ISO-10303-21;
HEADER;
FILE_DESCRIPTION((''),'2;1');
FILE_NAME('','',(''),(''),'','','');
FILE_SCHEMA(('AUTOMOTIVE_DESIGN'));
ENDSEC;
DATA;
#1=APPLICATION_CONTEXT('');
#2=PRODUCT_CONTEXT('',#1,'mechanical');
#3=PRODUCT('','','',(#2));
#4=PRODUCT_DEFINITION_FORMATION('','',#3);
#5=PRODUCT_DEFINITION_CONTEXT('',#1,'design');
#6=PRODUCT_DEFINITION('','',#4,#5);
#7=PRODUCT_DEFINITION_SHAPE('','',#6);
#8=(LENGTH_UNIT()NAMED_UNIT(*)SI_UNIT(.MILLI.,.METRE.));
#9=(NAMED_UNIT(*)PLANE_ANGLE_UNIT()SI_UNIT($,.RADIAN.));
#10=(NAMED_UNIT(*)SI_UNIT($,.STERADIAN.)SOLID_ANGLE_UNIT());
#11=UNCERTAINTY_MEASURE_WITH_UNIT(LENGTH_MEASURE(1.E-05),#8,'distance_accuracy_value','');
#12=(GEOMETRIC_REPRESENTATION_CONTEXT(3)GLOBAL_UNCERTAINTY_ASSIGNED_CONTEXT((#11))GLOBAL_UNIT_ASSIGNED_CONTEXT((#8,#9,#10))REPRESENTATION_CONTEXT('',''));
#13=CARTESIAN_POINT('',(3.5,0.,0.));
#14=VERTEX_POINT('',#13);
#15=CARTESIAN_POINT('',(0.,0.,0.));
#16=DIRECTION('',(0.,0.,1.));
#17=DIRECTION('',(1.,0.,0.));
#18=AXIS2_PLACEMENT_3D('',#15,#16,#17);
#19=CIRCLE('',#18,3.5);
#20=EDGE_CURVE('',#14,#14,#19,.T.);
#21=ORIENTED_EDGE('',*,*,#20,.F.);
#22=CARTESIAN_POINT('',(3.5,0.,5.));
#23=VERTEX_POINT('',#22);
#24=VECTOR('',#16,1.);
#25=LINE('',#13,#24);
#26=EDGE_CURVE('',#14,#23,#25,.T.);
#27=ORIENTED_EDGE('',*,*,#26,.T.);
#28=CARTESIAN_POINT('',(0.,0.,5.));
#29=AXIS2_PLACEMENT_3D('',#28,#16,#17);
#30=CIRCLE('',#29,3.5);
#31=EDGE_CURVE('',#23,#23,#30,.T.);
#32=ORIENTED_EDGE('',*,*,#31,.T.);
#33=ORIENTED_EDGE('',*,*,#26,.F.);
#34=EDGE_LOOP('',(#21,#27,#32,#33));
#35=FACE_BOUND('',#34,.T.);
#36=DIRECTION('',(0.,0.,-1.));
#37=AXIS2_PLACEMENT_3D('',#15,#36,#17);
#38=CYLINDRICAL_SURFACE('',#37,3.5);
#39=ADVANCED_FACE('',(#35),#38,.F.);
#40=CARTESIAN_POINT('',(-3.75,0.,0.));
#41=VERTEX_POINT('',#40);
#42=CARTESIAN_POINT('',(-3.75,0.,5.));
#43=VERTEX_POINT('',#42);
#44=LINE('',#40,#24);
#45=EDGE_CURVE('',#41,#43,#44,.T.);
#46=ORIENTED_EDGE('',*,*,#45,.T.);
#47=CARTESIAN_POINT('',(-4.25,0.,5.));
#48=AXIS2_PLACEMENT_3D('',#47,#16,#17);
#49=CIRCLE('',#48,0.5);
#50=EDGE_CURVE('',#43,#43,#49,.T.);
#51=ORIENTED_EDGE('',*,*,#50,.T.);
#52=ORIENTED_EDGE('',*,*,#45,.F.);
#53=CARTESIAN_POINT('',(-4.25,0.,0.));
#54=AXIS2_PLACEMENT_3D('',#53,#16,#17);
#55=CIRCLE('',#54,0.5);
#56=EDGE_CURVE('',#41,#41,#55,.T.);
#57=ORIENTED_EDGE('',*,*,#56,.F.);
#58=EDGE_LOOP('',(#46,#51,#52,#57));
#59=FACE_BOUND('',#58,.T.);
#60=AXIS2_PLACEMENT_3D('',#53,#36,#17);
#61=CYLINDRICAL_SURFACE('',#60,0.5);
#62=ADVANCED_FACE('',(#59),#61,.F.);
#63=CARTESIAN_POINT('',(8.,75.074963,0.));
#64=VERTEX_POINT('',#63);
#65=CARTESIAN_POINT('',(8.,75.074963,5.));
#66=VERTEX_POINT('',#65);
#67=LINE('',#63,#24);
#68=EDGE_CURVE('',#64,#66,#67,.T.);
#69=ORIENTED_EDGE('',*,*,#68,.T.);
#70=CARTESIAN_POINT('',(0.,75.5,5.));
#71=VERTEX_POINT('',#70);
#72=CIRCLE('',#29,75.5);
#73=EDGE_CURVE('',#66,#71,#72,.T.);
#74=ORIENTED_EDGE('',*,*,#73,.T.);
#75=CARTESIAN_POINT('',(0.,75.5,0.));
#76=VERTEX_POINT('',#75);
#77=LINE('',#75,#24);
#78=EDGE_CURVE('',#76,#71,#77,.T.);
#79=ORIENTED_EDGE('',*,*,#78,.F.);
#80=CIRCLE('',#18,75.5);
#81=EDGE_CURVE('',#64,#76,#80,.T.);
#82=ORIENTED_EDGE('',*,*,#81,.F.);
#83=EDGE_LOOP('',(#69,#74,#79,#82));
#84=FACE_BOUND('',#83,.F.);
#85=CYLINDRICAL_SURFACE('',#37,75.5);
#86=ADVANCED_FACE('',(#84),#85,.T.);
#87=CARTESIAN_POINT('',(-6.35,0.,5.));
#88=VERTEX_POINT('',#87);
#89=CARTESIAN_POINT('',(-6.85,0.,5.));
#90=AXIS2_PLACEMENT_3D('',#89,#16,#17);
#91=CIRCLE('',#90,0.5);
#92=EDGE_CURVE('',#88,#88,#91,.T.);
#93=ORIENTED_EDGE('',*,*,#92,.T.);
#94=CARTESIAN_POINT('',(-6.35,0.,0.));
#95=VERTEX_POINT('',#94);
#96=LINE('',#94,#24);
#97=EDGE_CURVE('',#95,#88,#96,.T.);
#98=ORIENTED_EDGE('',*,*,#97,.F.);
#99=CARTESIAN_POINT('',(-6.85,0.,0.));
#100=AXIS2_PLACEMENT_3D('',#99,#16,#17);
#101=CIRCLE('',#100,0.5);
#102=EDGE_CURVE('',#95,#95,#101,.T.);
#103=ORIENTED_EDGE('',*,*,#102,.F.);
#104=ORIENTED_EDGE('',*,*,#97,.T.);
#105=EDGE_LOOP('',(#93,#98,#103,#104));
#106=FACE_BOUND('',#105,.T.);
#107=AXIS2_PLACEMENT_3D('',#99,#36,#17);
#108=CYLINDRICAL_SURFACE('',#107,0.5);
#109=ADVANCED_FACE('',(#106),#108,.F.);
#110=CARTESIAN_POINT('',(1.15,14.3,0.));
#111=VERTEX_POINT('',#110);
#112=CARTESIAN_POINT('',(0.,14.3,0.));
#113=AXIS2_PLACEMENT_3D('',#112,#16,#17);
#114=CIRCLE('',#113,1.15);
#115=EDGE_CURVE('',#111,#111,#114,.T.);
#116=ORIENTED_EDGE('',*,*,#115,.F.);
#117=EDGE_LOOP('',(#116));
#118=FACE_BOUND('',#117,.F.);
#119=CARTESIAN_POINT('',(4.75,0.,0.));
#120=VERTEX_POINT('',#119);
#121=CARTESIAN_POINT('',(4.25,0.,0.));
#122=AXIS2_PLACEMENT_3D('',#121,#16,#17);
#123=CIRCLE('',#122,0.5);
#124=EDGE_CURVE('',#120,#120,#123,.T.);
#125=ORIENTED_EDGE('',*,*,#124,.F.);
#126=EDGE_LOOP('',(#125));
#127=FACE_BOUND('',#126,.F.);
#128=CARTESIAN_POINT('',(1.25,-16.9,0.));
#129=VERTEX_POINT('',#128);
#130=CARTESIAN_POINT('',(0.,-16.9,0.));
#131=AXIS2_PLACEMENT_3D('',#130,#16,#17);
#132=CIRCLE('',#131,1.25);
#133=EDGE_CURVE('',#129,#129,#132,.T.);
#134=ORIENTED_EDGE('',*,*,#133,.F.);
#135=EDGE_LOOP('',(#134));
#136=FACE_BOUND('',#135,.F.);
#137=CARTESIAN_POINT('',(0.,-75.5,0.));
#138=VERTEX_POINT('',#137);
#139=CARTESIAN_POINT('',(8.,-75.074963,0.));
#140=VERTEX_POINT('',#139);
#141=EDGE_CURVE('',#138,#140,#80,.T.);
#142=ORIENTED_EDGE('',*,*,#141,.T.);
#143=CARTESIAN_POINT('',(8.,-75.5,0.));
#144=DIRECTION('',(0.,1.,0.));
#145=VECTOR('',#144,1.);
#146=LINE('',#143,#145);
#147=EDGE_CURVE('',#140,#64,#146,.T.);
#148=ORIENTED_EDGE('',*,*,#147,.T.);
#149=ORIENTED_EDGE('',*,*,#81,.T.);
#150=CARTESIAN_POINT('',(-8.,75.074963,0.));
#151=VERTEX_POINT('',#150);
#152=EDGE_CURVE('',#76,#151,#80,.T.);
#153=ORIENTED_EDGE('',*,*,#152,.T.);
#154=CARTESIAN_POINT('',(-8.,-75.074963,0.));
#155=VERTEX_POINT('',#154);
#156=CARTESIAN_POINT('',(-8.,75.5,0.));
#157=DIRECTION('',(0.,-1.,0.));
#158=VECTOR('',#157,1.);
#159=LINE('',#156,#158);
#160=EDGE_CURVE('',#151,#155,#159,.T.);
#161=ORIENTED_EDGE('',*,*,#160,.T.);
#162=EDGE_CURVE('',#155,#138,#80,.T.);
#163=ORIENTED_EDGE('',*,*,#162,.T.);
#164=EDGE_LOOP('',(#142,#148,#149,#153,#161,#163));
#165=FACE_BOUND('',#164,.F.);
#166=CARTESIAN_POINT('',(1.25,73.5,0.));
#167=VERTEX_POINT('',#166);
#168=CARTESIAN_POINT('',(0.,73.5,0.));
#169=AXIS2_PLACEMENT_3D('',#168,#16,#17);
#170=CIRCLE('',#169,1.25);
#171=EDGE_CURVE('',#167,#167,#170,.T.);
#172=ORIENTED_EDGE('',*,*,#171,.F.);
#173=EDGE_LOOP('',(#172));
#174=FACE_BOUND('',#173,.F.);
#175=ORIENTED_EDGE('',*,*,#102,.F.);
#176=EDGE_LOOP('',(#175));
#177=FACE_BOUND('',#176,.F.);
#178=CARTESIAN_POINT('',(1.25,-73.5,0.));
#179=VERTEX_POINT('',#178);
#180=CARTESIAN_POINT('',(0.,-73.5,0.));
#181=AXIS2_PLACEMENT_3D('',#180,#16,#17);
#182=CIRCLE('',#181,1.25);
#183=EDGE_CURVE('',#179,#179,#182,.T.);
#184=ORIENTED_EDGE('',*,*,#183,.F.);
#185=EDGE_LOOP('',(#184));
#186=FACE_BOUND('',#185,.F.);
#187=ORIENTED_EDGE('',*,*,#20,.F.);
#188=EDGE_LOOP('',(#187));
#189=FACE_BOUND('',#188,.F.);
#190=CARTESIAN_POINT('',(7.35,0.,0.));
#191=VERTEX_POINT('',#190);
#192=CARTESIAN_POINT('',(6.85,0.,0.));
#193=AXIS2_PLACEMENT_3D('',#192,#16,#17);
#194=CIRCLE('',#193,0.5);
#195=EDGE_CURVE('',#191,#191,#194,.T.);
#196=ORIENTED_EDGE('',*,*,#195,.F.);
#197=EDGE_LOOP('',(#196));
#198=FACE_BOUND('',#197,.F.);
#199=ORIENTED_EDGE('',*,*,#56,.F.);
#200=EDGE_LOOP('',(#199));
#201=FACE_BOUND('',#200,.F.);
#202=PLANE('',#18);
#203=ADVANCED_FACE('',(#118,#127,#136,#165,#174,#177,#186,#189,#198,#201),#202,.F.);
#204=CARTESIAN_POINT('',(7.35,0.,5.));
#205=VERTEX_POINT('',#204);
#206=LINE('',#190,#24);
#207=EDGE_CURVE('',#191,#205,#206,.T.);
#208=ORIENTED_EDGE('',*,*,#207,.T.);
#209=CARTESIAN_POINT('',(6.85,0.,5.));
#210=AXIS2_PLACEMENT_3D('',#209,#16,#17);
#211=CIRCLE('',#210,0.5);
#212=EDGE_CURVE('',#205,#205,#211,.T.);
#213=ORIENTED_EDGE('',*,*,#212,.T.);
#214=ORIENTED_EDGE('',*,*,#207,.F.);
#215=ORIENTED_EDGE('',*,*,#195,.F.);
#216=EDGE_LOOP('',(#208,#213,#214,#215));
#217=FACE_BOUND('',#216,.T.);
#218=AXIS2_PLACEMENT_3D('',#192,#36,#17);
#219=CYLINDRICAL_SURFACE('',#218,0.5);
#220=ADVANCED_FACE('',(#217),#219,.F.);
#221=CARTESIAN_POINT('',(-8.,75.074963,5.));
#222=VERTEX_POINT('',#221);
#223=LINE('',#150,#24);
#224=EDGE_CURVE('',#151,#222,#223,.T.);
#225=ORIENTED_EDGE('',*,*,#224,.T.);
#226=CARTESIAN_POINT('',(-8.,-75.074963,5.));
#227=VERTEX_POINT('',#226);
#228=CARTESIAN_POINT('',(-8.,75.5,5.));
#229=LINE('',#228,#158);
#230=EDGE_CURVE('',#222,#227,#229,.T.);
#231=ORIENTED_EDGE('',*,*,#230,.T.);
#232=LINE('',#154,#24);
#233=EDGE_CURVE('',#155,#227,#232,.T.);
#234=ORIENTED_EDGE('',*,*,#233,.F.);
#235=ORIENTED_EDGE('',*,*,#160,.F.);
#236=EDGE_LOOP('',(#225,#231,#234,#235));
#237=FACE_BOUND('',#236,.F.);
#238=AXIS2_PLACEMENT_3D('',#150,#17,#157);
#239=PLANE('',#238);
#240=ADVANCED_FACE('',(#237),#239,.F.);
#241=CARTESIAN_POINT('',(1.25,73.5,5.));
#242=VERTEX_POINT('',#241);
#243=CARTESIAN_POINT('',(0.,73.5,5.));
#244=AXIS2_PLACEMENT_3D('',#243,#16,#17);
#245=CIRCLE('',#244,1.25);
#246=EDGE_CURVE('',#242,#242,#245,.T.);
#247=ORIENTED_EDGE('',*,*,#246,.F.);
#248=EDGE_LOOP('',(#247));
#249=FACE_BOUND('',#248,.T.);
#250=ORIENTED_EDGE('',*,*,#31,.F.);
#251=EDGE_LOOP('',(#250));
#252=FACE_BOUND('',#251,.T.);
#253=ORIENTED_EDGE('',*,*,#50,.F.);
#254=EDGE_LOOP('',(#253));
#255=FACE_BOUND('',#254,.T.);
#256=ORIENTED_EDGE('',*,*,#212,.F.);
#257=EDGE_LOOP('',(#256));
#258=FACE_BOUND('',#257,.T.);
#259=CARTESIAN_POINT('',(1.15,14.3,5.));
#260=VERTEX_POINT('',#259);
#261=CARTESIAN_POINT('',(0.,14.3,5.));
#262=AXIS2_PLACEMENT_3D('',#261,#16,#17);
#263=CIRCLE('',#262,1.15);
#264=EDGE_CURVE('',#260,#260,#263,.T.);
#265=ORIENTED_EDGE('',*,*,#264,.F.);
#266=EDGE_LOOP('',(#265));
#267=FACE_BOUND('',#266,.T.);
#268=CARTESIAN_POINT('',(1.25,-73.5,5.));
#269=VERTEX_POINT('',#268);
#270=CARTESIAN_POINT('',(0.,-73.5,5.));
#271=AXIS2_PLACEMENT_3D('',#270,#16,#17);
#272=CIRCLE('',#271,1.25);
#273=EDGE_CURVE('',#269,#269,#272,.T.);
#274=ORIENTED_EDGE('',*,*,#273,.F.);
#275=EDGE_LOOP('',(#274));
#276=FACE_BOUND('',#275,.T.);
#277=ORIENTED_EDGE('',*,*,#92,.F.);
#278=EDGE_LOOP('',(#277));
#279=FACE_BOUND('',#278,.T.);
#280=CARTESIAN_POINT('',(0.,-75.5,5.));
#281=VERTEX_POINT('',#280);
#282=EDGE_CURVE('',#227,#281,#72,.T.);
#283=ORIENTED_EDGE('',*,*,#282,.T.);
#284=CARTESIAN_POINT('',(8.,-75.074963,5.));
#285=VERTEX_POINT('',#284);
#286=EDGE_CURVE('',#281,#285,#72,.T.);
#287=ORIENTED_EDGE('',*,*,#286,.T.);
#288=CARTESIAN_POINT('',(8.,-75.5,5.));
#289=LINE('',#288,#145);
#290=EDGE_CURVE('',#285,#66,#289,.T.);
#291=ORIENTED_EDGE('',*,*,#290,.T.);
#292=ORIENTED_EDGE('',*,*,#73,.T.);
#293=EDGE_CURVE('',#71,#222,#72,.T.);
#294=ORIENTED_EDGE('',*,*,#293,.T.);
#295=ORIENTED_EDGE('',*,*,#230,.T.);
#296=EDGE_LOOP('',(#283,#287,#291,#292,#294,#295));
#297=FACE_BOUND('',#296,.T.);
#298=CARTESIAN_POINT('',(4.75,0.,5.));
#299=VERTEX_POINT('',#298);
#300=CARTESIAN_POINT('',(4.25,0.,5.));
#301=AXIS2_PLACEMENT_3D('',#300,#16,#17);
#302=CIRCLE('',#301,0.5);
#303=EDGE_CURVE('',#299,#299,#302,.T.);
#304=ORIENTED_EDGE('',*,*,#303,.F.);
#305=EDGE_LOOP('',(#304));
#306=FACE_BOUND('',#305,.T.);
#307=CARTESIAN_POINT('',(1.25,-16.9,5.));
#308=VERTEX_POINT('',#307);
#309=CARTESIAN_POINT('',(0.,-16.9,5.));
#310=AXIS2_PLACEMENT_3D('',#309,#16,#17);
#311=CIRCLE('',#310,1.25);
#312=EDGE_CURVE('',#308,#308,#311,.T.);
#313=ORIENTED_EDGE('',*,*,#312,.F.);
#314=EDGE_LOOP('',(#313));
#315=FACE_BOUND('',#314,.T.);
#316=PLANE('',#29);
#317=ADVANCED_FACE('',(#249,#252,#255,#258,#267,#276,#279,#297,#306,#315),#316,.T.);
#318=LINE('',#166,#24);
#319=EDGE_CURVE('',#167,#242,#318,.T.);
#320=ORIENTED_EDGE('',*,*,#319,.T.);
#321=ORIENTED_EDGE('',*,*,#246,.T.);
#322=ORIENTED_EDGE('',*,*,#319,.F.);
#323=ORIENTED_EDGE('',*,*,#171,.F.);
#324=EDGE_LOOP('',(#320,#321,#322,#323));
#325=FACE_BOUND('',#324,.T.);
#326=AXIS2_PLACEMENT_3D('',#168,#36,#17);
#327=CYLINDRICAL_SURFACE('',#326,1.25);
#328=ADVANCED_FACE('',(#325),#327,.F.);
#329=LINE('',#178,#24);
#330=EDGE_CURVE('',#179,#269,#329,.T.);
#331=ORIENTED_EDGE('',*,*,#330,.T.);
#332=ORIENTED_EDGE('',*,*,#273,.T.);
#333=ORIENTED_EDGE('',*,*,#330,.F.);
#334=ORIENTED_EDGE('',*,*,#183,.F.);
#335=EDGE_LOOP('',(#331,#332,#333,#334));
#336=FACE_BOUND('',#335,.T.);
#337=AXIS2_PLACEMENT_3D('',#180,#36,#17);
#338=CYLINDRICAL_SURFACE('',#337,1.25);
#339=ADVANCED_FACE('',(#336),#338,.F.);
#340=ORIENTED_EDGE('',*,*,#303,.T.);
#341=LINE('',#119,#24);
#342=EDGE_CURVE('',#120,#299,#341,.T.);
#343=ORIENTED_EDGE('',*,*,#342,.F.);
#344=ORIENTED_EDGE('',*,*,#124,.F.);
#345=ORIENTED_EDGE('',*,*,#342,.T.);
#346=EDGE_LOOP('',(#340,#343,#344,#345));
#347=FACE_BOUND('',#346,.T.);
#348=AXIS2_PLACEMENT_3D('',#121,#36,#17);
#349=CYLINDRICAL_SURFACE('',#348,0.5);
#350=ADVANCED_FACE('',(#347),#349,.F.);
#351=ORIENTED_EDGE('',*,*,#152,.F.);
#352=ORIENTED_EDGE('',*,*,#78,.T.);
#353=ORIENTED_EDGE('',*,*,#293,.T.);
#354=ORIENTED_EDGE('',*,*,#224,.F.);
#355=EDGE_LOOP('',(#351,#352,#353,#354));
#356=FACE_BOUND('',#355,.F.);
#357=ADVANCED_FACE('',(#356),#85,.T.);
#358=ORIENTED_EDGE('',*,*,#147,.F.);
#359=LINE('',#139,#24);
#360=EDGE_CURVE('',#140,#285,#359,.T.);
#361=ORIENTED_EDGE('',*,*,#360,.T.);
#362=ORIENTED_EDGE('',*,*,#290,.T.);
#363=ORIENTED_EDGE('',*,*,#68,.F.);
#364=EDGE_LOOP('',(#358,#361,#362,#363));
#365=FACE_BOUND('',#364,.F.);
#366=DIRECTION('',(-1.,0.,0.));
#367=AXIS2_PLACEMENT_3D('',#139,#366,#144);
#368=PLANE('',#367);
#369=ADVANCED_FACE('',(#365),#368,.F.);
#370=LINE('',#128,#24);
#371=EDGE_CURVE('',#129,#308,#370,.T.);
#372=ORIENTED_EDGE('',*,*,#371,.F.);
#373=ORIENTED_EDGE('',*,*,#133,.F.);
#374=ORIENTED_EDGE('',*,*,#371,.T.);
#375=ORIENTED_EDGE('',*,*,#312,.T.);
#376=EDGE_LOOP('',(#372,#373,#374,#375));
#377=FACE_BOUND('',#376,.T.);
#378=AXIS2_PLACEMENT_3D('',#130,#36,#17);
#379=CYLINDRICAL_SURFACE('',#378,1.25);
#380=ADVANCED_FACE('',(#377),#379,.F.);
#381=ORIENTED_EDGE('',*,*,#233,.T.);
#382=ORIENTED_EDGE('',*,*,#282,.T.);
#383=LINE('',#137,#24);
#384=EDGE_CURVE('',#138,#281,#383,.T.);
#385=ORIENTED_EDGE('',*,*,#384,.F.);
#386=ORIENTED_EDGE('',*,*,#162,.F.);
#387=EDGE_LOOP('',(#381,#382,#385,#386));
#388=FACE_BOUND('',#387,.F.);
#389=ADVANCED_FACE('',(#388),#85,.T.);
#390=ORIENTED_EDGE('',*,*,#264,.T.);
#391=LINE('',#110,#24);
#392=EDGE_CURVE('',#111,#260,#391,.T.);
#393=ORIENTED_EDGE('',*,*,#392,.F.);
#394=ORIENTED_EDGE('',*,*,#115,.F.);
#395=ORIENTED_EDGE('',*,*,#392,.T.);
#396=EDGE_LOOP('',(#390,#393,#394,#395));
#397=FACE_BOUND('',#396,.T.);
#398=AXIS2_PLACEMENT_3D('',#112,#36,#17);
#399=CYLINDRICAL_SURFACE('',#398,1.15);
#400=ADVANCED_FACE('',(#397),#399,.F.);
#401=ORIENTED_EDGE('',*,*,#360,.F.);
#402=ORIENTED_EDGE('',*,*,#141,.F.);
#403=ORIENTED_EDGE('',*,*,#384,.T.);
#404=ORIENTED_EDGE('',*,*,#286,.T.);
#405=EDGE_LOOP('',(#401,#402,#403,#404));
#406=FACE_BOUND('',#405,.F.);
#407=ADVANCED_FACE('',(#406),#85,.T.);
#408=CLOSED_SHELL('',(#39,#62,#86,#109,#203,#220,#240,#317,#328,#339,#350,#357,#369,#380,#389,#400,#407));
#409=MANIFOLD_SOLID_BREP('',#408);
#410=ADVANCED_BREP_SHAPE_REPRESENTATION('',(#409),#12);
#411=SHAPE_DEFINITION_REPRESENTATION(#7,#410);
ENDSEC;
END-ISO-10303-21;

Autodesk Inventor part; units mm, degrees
ref_plane "YZ Plane" through (0, 0, 0) normal (1, 0, 0) x (0, 1, 0)
ref_plane "XZ Plane" through (0, 0, 0) normal (0, 1, 0) x (-1, 0, 0)
ref_plane "XY Plane" through (0, 0, 0) normal (0, 0, 1) x (1, 0, 0)
sketch "스케치1" plane through (0, 0, 0) normal (0, 0, 1) x (1, 0, 0)
  line L0 (-8, -75.5) -> (8, -75.5)
  line L1 (8, -75.5) -> (8, 75.5)
  line L2 (8, 75.5) -> (-8, 75.5)
  line L3 (-8, 75.5) -> (-8, -75.5)
  line L4 (-8, -75.5) -> (8, 75.5) construction
  line L5 (8, -75.5) -> (-8, 75.5) construction
  circle A0 centre (0, 0) radius 75.5
  circle A1 centre (0, 73.5) radius 1.25
  line L6 (0, 0) -> (8, 0) construction
  circle A2 centre (0, -73.5) radius 1.25
  circle A3 centre (0, 0) radius 3.5
  circle A4 centre (-4.25, 0) radius 0.5
  circle A5 centre (-6.85, 0) radius 0.5
  line L7 (0, 0) -> (0, 3.196) construction
  circle A6 centre (4.25, 0) radius 0.5
  circle A7 centre (6.85, 0) radius 0.5
  circle A8 centre (0, 14.3) radius 1.15
  circle A9 centre (0, -16.9) radius 1.25
  point P0 (0, 75.5)
  point P1 (8, -75.075)
  point P2 (8, 75.075)
  point P3 (-8, 75.075)
  point P4 (-8, -75.075)
  dimension "d1" = 151
  dimension "d0" = 16
  dimension "d2" = 2.5
  dimension "d3" = 73.5
  dimension "d4" = 7
  dimension "d5" = 1
  dimension "d6" = 1
  dimension "d7" = 8.5
  dimension "d8" = 12.7
  dimension "d9" = 2.3
  dimension "d13" = 14.3
  dimension "d14" = 2.5
  dimension "d15" = 16.9
extrude "돌출1" add sketch "스케치1" along normal blind 5 contours A0 L3 L1
properties part number "상단 서보모터 고정 판"
